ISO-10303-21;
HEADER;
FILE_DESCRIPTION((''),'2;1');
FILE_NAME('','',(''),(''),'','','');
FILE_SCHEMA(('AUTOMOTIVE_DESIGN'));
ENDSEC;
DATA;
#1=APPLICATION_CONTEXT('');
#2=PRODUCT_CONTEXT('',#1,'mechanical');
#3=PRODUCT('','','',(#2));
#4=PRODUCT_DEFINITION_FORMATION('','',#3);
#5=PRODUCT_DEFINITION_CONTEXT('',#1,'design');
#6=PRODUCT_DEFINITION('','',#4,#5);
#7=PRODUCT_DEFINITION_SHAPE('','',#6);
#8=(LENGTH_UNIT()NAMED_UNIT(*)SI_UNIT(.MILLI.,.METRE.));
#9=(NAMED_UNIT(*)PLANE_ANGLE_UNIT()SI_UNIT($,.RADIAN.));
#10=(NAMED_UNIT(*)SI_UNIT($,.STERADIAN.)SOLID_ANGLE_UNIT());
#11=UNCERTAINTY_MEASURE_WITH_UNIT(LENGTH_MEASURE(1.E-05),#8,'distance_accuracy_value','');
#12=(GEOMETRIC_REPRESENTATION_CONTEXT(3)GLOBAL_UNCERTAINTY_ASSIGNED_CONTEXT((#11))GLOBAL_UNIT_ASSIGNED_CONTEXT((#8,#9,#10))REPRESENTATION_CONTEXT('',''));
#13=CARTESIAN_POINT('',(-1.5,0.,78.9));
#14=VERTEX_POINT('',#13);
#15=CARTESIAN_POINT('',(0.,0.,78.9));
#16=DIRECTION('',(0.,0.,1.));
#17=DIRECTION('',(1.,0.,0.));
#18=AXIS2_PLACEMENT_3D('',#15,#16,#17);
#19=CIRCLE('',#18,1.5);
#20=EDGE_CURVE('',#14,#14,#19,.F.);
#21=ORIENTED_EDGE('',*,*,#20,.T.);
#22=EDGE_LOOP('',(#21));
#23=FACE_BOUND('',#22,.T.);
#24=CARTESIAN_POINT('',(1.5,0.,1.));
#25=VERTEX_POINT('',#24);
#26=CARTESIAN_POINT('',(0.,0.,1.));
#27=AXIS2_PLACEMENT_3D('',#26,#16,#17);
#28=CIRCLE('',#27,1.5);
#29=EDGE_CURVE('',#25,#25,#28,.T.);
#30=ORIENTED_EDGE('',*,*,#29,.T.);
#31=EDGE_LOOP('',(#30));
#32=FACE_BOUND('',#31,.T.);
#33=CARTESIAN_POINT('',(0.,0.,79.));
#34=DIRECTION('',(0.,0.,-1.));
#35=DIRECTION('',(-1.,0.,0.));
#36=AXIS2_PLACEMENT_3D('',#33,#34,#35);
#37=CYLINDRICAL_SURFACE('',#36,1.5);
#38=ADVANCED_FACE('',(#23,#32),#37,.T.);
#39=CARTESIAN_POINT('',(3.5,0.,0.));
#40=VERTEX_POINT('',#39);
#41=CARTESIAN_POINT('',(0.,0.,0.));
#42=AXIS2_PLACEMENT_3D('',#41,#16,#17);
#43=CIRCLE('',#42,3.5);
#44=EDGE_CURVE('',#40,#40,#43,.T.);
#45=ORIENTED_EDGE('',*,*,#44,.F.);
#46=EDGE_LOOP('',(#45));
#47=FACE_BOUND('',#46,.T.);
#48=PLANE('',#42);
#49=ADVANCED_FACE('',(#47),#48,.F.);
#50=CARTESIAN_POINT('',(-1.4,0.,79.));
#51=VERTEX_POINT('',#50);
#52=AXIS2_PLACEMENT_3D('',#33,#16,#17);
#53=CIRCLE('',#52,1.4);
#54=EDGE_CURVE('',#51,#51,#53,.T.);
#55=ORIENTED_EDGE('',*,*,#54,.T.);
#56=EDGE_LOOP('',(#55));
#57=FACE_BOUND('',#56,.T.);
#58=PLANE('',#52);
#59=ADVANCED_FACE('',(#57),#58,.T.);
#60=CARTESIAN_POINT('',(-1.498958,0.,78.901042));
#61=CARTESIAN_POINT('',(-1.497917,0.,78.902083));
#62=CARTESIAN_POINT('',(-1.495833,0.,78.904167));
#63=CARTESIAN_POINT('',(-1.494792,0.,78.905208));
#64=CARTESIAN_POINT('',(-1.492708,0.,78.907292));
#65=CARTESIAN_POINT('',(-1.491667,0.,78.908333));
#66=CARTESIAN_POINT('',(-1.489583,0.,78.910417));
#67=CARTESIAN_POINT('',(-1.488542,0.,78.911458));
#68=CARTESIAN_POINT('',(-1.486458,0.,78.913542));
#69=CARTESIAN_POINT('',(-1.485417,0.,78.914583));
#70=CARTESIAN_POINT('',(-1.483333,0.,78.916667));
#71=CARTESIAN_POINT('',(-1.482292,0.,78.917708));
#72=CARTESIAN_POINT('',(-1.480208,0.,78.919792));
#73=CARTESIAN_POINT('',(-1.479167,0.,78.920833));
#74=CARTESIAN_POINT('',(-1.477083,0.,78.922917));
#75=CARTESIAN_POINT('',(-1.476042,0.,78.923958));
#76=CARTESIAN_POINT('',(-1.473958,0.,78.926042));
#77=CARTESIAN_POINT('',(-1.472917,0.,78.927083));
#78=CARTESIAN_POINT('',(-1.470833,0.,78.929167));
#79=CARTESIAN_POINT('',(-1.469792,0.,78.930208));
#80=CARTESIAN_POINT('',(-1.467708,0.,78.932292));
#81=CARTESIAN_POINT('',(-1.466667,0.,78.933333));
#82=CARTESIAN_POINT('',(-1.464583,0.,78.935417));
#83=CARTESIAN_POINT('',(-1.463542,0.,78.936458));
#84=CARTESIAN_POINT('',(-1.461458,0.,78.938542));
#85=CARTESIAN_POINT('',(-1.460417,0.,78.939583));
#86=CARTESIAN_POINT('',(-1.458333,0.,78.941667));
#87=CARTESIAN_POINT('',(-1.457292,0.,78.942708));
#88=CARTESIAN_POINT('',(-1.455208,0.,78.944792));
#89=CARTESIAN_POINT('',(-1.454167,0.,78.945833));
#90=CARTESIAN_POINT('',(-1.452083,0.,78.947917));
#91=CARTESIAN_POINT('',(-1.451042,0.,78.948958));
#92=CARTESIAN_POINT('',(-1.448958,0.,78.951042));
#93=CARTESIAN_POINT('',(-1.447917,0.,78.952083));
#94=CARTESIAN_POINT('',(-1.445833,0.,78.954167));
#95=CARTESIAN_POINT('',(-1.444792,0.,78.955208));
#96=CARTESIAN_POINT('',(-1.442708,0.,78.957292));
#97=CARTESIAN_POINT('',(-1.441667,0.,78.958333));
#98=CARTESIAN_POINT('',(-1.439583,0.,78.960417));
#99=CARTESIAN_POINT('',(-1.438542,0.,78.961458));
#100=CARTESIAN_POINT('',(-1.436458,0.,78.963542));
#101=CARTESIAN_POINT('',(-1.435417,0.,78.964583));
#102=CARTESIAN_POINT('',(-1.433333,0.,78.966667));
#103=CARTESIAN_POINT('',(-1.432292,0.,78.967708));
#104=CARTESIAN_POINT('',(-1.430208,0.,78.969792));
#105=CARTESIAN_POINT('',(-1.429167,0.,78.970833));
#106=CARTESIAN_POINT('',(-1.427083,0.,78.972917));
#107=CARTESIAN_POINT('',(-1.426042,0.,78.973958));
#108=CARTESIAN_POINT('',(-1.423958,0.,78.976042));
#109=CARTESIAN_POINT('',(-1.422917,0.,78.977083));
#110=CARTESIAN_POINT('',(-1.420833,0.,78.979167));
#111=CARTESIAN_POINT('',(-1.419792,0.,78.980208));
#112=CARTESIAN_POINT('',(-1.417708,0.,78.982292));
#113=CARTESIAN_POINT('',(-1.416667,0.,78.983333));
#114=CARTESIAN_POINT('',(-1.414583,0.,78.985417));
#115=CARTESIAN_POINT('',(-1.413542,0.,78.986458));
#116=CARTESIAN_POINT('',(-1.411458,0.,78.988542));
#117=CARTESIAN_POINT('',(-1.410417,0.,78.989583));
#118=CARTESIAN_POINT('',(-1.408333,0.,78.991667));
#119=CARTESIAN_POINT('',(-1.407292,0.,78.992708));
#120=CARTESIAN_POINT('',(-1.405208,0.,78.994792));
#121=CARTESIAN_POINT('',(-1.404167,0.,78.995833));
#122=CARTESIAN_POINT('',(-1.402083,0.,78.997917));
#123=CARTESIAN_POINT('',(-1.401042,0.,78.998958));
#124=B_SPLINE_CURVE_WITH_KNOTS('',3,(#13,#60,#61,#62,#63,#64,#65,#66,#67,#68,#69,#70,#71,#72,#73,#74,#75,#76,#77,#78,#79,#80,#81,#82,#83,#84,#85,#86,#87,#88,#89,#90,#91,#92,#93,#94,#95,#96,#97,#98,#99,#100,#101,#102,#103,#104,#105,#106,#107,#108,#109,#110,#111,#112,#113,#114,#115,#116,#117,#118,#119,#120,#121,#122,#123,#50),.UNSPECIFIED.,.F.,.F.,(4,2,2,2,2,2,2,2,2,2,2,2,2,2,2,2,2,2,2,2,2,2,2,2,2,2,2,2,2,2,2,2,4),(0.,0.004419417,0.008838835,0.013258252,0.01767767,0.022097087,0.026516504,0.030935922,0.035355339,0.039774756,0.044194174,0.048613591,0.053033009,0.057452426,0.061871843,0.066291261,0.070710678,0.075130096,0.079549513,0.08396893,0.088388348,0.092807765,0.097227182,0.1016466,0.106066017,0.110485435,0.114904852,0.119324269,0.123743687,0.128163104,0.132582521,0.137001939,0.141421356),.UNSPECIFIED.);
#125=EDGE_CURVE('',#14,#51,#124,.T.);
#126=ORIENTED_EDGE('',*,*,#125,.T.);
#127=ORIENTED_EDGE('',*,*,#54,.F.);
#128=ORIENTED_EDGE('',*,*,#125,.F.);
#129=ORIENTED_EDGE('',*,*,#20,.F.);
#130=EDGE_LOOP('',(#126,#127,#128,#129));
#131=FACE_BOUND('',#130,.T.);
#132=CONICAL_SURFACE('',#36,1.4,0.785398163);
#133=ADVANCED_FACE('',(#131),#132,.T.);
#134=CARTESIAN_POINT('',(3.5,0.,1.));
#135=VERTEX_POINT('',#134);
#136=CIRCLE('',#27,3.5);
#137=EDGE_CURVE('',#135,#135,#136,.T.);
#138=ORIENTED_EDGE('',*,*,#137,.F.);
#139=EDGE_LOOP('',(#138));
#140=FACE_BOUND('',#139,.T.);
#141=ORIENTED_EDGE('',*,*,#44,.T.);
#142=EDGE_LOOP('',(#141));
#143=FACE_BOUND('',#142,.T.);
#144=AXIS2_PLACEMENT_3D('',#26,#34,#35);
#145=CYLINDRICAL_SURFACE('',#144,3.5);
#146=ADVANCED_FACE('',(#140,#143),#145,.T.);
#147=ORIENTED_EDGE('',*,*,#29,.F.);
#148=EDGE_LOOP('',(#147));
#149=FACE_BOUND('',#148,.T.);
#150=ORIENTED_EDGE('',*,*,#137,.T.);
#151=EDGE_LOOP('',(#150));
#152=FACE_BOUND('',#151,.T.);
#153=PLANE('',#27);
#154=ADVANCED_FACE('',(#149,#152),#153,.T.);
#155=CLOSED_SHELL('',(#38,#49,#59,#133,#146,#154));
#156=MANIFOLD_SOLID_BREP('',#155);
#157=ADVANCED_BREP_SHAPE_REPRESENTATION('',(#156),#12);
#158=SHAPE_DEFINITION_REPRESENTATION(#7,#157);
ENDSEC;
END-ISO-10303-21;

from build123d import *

# Parameters (mm, degrees)
SKETCH2_R           = 3.5
BOSS_EXTRUDE1_DEPTH = 1
SKETCH3_R           = 1.5
BOSS_EXTRUDE2_DEPTH = 78
CHAMFER1_SIZE       = 0.1


with BuildPart() as part:
    # Sketch2 → Boss-Extrude1 (new body)
    with BuildSketch(Plane.XY):
        Circle(SKETCH2_R)
    extrude(amount=BOSS_EXTRUDE1_DEPTH)

    # Sketch3 → Boss-Extrude2 (add)
    with BuildSketch(Plane.XY.offset(1)):
        Circle(SKETCH3_R)
    extrude(amount=BOSS_EXTRUDE2_DEPTH)

    # Chamfer1
    chamfer1_edges = [part.edges().sort_by_distance(p)[0] for p in [
        (-1.5, 0, 79),
    ]]
    chamfer(chamfer1_edges, length=CHAMFER1_SIZE)


solid = part.part
